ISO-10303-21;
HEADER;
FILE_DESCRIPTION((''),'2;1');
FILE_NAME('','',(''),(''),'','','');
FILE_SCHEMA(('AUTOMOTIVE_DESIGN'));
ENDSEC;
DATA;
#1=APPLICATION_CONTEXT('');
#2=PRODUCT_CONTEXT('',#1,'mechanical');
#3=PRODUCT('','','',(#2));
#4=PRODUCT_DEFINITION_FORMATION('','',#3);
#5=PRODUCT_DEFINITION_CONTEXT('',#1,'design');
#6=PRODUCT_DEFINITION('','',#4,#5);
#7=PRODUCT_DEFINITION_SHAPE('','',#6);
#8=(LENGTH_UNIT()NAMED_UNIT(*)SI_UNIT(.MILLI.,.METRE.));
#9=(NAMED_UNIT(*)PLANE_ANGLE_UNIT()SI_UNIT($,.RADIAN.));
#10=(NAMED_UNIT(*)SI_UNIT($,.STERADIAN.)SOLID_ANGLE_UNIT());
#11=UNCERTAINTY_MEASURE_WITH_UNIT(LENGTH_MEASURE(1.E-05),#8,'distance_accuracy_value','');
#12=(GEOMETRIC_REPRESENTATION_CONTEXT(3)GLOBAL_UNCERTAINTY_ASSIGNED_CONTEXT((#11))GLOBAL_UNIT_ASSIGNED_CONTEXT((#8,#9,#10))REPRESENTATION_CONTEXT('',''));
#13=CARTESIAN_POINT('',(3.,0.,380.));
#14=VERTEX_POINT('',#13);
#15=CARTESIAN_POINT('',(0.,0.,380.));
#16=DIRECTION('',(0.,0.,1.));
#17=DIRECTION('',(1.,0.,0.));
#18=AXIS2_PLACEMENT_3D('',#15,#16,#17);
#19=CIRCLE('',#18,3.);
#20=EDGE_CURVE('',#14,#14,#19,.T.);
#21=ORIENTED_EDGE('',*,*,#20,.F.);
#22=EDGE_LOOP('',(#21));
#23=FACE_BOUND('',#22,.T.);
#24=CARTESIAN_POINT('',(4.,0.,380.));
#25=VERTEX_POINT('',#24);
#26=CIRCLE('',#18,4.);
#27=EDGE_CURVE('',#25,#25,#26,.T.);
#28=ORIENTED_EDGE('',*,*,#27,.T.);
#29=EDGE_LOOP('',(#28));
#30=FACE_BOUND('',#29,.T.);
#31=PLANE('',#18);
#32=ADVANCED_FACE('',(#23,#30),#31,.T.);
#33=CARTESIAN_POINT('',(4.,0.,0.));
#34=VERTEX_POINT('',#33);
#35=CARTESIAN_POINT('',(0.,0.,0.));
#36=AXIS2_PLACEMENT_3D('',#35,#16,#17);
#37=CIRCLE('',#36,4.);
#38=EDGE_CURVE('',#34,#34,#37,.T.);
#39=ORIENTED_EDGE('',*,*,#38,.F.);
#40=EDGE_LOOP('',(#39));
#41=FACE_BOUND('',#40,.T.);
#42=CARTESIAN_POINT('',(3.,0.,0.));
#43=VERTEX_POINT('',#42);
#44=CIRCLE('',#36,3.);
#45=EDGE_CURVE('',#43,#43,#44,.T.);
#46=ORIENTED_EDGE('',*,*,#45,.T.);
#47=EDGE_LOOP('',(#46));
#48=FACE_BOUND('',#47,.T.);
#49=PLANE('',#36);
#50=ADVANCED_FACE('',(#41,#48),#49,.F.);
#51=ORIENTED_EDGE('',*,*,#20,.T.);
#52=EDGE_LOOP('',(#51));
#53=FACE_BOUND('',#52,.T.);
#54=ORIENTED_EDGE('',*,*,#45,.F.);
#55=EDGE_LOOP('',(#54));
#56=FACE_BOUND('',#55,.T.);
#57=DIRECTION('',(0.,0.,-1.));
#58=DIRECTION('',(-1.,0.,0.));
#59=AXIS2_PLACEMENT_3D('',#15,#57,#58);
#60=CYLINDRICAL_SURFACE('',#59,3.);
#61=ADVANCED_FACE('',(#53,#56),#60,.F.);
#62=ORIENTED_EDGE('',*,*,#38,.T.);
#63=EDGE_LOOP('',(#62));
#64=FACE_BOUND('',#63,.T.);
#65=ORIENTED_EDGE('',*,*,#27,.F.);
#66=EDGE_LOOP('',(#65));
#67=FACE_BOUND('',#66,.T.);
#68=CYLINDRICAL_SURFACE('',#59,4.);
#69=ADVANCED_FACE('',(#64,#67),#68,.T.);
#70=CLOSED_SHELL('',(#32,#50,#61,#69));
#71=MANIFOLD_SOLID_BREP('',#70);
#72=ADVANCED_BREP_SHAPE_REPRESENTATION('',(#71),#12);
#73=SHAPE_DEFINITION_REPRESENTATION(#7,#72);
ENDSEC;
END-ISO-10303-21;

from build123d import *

# Parameters (mm, degrees)
SKETCH_1_R      = 4
SKETCH_1_R_2    = 3
EXTRUDE_1_DEPTH = 380


with BuildPart() as part:
    # Эскиз1 → Бобышка-Вытянуть1 (new body)
    with BuildSketch(Plane.XY):
        Circle(SKETCH_1_R)
        Circle(SKETCH_1_R_2, mode=Mode.SUBTRACT)
    extrude(amount=EXTRUDE_1_DEPTH)


solid = part.part
